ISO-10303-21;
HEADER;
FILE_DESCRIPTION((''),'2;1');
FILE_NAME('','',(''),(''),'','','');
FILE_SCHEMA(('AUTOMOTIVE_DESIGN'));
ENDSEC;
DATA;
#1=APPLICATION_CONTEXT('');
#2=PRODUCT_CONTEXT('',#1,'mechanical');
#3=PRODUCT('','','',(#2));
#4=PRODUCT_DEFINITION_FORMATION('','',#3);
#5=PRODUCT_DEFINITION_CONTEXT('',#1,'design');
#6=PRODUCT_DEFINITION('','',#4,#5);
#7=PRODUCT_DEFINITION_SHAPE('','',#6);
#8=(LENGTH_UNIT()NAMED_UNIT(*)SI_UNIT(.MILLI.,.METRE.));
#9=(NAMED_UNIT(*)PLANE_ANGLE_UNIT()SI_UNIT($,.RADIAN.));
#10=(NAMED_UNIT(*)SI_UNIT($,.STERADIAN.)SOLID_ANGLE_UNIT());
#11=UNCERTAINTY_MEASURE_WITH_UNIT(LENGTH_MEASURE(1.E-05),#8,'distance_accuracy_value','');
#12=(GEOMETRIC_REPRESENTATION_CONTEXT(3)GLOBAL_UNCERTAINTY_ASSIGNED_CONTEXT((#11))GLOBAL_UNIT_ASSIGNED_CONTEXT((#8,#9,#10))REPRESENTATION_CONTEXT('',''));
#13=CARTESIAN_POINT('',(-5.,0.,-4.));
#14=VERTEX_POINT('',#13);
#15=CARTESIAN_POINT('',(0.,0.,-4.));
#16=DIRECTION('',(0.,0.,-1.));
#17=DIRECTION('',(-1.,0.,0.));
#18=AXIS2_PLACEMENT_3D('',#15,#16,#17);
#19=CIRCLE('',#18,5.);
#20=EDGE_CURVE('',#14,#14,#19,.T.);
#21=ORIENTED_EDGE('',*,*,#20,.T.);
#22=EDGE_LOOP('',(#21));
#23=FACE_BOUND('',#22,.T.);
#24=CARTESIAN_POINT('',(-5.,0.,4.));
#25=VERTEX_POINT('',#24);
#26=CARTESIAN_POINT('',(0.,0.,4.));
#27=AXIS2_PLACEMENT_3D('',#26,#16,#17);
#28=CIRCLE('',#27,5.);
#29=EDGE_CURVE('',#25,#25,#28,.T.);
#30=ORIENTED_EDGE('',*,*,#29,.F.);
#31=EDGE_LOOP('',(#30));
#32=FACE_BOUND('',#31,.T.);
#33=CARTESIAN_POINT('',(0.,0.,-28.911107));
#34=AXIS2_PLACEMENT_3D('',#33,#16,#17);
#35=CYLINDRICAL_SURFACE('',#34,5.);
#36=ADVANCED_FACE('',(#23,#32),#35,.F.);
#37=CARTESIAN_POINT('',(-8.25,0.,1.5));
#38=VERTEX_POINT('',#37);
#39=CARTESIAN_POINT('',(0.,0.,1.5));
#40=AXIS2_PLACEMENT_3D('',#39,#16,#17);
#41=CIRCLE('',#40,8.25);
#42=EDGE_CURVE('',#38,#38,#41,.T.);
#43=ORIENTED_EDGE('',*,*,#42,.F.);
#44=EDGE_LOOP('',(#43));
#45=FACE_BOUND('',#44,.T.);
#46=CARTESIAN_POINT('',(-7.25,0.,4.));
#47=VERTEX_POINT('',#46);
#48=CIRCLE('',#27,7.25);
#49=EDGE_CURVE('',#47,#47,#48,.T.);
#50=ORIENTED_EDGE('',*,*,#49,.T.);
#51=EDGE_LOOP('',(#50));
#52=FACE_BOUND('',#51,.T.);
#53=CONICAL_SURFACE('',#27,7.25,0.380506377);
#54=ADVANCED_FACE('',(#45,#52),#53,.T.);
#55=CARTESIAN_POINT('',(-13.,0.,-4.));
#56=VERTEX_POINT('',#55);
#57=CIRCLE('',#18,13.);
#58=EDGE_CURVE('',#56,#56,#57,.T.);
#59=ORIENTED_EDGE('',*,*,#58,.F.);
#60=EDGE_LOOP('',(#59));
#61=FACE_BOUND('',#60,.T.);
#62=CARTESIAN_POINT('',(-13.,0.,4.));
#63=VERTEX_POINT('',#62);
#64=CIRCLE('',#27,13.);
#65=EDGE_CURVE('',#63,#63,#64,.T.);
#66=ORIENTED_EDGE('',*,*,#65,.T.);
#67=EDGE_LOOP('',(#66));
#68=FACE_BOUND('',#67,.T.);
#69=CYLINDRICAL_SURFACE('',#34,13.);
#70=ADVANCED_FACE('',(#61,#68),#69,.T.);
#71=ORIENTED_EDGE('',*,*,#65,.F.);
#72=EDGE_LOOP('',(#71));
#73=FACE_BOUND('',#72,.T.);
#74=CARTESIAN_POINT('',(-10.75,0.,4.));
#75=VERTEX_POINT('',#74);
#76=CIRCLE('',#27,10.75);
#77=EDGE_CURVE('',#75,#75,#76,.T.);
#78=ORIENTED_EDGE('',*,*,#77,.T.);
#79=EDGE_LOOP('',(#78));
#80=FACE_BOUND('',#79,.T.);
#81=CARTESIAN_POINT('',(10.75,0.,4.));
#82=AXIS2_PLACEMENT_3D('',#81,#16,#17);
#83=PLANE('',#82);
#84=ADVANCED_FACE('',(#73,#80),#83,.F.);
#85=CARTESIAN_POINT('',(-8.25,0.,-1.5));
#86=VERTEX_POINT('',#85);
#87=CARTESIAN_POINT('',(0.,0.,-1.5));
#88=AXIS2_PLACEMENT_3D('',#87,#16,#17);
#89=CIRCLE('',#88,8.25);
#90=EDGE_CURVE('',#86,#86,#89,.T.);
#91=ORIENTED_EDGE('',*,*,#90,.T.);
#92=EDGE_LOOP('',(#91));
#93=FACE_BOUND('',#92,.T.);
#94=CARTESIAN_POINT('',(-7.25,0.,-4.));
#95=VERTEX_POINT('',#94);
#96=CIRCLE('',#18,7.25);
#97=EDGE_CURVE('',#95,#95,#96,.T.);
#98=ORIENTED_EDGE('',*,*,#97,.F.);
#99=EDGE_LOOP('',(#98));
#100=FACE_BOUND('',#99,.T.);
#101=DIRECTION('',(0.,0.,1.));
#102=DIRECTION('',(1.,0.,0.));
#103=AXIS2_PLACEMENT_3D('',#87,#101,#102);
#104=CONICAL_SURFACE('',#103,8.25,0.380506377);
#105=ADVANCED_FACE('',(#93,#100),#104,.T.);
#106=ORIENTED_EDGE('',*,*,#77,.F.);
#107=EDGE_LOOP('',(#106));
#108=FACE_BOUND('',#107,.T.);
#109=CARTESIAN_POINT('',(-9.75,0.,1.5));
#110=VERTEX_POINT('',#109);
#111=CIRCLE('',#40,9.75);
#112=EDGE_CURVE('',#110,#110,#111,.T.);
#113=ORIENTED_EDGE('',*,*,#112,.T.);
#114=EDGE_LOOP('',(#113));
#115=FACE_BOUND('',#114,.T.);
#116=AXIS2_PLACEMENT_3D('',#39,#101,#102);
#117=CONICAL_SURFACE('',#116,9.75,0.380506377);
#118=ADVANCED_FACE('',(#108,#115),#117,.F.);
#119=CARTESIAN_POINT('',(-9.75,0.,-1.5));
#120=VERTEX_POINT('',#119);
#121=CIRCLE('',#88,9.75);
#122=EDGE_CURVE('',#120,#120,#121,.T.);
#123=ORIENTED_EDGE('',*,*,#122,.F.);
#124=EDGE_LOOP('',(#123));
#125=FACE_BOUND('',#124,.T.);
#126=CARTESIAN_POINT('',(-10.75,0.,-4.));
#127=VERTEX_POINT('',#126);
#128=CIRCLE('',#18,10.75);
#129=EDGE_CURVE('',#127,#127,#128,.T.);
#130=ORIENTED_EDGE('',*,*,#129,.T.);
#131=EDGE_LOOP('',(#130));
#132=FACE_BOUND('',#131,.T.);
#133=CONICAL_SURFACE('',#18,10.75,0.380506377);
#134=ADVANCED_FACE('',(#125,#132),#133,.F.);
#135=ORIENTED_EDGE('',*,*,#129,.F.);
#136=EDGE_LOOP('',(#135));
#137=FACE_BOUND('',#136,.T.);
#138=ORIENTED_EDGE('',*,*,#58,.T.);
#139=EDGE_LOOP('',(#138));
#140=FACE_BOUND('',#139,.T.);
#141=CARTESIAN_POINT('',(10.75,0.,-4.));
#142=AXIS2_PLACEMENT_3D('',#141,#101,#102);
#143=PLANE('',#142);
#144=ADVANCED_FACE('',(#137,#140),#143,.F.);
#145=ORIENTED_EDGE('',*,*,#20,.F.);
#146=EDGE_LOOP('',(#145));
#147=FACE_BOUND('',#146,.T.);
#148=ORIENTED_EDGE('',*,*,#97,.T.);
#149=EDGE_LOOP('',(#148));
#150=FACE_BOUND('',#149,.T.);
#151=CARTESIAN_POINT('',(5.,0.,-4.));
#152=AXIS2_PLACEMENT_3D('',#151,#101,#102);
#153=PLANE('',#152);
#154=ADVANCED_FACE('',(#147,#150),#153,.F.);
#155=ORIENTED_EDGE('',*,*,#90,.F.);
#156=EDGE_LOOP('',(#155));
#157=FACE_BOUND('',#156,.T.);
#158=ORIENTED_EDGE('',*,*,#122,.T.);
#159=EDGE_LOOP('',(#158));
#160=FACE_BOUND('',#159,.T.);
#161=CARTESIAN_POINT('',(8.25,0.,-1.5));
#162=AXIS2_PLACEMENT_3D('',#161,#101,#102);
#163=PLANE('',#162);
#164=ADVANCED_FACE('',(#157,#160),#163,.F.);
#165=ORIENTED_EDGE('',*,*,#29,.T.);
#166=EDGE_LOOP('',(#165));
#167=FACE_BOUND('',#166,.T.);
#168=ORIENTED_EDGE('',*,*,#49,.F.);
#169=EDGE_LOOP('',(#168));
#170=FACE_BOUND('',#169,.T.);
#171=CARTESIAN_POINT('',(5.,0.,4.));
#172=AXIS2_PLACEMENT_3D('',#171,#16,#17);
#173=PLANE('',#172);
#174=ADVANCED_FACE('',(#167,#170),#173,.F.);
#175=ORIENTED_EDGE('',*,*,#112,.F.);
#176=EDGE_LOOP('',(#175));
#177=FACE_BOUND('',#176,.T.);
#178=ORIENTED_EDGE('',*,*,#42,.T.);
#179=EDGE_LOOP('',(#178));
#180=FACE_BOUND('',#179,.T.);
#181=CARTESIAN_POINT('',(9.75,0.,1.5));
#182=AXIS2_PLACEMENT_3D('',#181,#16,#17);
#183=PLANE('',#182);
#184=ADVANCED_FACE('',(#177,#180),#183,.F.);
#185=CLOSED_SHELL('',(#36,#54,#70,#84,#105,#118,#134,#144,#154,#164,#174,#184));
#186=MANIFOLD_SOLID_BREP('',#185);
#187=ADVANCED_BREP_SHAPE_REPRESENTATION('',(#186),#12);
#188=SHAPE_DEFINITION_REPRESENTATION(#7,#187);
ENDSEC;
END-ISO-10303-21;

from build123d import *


with BuildPart() as part:
    # Sketch1 → Revolve1 (revolve)
    with BuildSketch(Plane(origin=(0, 0, 0), x_dir=(1, 0, 0), z_dir=(0, 1, 0)), mode=Mode.PRIVATE) as revolve1_sk:
        Polygon((7.25, 4), (8.25, 1.5), (9.75, 1.5), (10.75, 4), (13, 4), (13, -4), (10.75, -4), (9.75, -1.5), (8.25, -1.5), (7.25, -4), (5, -4), (5, 4), align=None)
    revolve(revolve1_sk.sketch.rotate(Axis((0, 0, -28.911106653), (0, 0, 1)), 180), axis=Axis((0, 0, -28.911106653), (0, 0, 1)))


solid = part.part
